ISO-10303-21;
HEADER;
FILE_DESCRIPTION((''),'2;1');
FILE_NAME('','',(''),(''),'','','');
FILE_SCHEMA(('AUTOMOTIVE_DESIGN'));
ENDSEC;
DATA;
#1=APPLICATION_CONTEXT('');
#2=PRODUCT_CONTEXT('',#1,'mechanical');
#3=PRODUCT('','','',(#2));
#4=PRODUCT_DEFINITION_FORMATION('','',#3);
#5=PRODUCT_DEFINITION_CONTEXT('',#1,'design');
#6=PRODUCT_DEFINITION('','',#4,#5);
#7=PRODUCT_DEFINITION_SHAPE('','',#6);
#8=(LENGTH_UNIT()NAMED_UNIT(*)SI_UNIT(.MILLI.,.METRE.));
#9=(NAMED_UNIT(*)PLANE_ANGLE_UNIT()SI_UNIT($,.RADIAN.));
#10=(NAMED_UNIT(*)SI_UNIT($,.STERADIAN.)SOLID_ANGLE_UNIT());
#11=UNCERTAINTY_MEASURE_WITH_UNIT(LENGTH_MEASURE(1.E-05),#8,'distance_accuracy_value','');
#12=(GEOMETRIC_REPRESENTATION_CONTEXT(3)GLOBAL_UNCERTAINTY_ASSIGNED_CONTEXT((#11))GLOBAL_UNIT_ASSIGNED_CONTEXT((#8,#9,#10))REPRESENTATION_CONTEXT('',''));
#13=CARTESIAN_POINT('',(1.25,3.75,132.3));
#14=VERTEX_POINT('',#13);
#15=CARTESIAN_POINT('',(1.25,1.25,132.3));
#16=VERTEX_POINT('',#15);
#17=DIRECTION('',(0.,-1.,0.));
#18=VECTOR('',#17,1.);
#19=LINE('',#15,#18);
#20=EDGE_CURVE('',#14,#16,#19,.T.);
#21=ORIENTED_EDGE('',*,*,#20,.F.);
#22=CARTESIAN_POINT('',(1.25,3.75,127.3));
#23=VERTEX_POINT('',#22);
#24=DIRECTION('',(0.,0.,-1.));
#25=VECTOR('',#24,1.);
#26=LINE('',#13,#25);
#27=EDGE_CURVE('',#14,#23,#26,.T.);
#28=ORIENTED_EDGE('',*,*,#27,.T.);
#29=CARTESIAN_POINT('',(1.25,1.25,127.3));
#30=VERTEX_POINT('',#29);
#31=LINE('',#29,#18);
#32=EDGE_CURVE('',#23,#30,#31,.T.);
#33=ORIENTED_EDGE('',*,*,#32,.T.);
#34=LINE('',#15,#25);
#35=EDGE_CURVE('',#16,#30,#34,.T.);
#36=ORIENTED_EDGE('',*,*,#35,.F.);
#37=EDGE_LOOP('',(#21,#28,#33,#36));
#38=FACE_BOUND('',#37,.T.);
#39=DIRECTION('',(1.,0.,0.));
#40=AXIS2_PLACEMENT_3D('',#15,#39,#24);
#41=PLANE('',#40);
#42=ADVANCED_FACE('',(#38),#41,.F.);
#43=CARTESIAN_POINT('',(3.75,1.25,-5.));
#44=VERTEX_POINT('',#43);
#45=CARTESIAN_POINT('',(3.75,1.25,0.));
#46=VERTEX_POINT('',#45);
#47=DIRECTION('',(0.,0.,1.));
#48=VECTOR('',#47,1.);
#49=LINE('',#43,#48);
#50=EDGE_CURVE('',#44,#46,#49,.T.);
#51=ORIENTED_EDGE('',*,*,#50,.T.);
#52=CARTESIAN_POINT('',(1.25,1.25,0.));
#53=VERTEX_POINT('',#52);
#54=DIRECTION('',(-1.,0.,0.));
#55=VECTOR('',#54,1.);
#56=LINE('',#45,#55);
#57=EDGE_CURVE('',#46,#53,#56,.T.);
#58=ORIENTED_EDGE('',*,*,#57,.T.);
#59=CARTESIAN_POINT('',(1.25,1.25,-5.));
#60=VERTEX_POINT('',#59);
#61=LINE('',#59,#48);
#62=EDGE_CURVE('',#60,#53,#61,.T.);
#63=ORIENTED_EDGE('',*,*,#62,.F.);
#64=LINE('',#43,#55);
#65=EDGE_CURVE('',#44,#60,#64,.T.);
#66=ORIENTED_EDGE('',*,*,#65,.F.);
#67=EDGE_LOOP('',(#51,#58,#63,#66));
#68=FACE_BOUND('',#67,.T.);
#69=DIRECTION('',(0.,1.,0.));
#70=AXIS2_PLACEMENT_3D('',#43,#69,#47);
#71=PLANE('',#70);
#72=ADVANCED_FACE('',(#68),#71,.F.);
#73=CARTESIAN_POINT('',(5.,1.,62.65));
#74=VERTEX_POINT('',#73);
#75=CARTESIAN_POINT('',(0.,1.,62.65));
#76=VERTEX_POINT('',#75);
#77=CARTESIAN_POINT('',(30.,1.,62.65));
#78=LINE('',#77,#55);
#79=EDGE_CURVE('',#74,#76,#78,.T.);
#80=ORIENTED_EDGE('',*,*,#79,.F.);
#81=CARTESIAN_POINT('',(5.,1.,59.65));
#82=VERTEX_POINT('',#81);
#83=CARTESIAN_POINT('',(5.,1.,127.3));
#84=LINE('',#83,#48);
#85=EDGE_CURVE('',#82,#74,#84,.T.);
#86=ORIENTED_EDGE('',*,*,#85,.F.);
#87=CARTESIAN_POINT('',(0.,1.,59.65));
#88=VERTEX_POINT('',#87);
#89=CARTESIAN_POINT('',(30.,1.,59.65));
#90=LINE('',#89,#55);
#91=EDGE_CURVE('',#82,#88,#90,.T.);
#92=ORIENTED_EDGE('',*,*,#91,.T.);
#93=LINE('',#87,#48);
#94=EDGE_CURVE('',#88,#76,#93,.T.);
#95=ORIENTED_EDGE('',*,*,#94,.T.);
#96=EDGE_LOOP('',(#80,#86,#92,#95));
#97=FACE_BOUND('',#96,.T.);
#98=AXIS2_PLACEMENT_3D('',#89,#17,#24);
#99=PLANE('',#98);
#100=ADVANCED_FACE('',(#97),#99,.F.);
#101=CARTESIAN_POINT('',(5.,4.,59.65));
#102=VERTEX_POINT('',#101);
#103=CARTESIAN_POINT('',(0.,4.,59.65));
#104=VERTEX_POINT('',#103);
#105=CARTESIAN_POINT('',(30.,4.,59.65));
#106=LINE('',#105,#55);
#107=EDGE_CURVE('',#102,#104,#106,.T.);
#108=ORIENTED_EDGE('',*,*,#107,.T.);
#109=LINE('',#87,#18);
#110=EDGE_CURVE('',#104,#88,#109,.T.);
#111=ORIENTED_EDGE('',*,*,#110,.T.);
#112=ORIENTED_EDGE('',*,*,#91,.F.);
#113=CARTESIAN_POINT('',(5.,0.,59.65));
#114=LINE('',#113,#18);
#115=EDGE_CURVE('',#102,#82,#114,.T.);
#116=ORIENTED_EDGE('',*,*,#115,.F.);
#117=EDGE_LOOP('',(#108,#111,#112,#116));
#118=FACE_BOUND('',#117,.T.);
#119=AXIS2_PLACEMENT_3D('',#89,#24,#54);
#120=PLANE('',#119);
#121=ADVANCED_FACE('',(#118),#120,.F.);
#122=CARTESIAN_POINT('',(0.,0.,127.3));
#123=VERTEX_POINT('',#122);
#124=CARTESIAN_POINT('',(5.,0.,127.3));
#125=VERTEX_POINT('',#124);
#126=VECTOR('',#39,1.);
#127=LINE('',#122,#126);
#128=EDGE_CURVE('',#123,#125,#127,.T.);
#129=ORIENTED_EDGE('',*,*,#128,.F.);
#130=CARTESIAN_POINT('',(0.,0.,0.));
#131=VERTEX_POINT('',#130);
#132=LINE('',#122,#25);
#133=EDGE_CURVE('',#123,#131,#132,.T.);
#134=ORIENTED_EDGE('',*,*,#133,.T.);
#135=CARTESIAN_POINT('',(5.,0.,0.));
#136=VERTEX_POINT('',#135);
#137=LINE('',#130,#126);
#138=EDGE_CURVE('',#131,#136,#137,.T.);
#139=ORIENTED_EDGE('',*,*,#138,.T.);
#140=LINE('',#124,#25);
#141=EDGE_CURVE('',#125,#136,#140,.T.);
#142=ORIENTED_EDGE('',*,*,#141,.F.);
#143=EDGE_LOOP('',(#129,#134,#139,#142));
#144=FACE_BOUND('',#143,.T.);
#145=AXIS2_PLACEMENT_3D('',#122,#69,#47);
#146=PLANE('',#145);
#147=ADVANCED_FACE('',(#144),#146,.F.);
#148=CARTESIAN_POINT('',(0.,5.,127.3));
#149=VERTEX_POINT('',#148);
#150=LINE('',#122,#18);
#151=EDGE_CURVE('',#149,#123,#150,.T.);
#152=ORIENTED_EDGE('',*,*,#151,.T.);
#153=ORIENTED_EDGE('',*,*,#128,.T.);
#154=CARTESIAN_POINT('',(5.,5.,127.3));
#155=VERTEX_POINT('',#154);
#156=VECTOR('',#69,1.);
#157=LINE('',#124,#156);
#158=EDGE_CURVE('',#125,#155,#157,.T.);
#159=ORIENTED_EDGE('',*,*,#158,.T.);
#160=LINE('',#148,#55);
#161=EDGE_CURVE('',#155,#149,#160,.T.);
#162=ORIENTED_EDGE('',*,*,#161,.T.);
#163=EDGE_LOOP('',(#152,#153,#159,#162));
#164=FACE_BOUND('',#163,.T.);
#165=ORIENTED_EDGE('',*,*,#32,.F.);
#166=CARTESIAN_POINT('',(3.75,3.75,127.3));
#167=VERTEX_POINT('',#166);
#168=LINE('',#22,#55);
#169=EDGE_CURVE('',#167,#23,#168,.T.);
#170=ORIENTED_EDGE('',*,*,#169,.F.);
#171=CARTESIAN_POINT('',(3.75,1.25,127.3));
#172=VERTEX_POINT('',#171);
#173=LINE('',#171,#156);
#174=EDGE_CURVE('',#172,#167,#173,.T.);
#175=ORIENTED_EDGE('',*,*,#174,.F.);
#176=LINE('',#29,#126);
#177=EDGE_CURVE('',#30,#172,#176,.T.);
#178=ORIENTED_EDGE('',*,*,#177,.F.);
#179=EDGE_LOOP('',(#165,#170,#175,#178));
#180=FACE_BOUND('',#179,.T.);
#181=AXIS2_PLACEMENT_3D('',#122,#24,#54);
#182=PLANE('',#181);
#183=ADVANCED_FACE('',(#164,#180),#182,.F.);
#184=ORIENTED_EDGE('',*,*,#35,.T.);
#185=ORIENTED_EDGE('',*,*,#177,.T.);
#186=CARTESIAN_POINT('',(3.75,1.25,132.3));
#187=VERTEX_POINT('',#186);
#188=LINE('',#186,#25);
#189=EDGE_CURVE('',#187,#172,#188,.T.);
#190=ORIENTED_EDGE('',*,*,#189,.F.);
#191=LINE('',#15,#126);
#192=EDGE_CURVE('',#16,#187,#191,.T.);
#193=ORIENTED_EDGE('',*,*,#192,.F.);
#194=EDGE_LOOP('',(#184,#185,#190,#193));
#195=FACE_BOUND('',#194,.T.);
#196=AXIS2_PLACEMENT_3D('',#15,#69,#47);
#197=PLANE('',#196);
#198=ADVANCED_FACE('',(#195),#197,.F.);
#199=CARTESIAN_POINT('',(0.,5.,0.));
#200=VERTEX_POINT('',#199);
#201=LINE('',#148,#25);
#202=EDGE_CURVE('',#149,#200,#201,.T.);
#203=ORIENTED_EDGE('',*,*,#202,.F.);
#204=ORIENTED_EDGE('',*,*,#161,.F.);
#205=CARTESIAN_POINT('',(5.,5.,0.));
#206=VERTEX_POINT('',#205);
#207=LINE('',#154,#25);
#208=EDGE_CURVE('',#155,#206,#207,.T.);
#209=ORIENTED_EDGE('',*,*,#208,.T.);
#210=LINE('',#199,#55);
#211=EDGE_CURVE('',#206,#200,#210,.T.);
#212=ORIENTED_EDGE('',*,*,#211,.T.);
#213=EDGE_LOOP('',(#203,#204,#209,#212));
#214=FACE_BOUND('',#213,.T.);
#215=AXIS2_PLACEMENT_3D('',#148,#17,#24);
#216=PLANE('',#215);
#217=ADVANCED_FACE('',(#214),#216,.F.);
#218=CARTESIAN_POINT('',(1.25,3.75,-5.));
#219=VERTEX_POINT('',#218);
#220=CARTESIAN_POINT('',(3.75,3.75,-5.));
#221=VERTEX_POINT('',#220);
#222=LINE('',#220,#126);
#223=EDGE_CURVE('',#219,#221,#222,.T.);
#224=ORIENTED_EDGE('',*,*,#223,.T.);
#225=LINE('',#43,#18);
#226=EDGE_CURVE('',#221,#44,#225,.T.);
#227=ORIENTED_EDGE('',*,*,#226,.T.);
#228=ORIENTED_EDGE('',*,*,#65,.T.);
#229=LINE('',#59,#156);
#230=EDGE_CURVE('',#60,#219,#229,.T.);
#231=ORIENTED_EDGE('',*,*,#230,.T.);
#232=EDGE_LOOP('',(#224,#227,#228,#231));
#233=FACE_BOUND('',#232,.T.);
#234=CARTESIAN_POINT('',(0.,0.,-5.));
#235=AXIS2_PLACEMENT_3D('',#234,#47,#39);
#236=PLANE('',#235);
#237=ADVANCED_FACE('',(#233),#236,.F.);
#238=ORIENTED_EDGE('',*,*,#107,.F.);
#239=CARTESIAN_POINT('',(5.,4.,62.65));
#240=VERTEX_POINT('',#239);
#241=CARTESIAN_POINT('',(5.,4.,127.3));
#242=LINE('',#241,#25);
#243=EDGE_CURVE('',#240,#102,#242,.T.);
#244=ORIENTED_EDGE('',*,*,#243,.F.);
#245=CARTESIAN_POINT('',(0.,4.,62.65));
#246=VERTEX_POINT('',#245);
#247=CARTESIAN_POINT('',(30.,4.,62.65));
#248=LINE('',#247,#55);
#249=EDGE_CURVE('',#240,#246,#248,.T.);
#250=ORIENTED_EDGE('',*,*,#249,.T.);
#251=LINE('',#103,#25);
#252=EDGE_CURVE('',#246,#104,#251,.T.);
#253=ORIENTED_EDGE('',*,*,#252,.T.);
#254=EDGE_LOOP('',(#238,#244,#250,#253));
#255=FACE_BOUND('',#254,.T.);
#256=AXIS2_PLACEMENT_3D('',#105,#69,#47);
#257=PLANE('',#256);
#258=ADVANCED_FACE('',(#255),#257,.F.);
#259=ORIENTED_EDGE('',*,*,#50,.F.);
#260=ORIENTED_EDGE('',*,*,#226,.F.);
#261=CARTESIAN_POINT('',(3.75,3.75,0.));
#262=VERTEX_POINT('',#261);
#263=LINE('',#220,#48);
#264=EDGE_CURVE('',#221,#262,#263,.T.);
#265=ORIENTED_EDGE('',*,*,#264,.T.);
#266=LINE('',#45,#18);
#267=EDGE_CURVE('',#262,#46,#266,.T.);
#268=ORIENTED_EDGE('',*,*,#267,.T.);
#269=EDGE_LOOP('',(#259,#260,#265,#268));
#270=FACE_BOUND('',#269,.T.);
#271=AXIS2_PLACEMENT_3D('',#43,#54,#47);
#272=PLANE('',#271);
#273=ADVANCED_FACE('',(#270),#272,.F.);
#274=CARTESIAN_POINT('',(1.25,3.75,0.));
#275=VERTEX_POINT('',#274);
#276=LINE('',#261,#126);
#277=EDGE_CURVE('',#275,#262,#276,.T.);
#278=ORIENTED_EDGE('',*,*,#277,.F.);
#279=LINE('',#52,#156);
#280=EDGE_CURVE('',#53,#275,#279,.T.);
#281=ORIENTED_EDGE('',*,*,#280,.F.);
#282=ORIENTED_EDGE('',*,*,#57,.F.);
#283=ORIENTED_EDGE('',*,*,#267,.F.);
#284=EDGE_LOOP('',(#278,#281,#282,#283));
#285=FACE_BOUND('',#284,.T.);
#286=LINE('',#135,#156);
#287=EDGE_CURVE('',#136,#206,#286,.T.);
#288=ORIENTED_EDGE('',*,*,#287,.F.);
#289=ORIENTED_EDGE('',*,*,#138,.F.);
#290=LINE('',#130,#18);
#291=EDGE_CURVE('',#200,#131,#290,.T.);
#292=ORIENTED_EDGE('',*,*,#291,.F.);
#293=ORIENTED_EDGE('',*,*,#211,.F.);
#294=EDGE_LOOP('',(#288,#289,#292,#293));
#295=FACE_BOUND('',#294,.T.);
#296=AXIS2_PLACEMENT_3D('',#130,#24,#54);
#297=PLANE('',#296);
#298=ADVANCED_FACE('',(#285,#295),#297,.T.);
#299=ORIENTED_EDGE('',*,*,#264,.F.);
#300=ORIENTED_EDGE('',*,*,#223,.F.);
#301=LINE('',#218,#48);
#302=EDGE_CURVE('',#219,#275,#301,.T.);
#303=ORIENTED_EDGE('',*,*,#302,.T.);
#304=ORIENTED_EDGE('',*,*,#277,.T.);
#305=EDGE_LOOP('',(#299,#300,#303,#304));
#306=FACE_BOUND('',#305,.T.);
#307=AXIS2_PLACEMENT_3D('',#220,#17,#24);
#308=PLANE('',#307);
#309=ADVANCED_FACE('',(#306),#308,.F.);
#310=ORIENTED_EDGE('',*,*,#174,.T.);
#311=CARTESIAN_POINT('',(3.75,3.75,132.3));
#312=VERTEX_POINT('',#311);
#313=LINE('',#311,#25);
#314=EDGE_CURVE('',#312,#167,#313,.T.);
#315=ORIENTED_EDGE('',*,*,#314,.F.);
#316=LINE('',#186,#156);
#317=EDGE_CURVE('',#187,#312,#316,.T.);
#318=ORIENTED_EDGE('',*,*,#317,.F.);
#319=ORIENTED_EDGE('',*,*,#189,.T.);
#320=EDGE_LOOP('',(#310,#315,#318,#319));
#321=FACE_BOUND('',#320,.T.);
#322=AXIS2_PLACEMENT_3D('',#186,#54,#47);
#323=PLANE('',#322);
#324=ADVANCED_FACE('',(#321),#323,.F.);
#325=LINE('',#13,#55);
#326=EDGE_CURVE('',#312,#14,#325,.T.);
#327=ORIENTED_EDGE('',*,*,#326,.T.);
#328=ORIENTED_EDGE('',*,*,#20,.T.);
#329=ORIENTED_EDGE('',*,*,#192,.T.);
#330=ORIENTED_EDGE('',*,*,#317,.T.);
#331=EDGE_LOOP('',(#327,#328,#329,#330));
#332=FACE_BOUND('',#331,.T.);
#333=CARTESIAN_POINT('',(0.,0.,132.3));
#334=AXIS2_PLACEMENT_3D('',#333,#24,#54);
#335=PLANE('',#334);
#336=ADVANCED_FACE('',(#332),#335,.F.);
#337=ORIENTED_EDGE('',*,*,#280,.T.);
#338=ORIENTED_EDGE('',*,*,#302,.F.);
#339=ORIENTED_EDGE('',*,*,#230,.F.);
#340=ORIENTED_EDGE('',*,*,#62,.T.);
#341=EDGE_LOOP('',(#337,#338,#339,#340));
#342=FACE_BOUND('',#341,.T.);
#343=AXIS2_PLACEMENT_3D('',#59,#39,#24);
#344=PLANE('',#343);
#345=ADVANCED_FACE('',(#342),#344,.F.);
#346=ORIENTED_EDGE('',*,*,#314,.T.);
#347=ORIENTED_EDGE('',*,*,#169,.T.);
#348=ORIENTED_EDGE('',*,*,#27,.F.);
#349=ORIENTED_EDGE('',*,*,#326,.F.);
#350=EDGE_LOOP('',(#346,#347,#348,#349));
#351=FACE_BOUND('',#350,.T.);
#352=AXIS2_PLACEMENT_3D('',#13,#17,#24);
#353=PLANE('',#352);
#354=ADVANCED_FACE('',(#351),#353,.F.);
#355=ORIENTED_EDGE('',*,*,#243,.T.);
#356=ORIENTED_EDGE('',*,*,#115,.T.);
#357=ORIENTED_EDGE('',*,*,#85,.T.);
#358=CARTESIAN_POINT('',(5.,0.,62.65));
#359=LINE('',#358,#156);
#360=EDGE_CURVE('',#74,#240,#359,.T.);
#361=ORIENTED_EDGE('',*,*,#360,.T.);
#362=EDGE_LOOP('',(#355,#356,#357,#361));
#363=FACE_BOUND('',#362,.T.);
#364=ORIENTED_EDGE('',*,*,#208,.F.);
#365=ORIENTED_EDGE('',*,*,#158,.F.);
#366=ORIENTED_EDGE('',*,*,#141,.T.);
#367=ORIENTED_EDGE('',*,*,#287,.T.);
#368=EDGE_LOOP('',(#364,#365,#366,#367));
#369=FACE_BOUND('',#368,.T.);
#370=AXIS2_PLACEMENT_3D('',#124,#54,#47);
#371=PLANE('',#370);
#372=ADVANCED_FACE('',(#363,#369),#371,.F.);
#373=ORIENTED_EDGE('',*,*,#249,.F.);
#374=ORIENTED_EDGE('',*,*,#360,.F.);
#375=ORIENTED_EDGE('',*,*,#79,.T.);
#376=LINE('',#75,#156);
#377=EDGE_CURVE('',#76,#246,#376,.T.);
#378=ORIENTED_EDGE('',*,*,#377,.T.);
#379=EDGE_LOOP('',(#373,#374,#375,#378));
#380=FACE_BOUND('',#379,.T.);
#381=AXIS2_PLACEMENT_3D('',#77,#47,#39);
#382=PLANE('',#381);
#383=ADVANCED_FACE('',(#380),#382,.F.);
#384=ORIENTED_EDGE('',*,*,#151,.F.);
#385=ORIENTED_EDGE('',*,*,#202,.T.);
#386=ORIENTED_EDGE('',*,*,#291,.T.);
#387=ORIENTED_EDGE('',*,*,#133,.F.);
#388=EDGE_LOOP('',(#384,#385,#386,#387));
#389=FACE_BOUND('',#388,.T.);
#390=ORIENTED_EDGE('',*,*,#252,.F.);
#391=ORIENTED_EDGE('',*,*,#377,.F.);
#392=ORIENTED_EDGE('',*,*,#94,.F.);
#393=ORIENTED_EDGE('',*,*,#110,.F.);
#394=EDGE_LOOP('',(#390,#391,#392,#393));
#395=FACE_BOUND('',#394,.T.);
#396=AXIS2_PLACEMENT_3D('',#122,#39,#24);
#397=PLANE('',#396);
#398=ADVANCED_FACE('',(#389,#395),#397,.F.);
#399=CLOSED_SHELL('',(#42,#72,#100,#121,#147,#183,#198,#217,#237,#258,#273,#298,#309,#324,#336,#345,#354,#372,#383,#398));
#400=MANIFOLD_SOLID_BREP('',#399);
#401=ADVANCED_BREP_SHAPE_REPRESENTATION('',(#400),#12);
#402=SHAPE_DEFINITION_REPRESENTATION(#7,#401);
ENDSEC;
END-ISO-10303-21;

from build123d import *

# Parameters (mm, degrees)
SKETCH1_W           = 5
SKETCH1_H           = 5
BOSS_EXTRUDE1_DEPTH = 127.3
SKETCH2_W           = 2.5
SKETCH2_H           = 2.5
BOSS_EXTRUDE2_DEPTH = 5
SKETCH3_W           = 2.5
SKETCH3_H           = 2.5
BOSS_EXTRUDE3_DEPTH = 5
SKETCH4_W           = 3
SKETCH4_H           = 3
CUT_EXTRUDE1_DEPTH  = 30


with BuildPart() as part:
    # Sketch1 → Boss-Extrude1 (new body)
    with BuildSketch(Plane.XY):
        with Locations((2.5, 2.5)):
            Rectangle(SKETCH1_W, SKETCH1_H)
    extrude(amount=BOSS_EXTRUDE1_DEPTH)

    # Sketch2 → Boss-Extrude2 (add)
    with BuildSketch(Plane(origin=(0, 0, 0), x_dir=(-1, 0, 0), z_dir=(0, 0, -1))):
        with Locations((-2.5, 2.5)):
            Rectangle(SKETCH2_W, SKETCH2_H)
    extrude(amount=BOSS_EXTRUDE2_DEPTH)

    # Sketch3 → Boss-Extrude3 (add)
    with BuildSketch(Plane.XY.offset(127.3)):
        with Locations((2.5, 2.5)):
            Rectangle(SKETCH3_W, SKETCH3_H)
    extrude(amount=BOSS_EXTRUDE3_DEPTH)

    # Sketch4 → Cut-Extrude1 (cut)
    with BuildSketch(Plane.ZY):
        with Locations((61.15, 2.5)):
            Rectangle(SKETCH4_W, SKETCH4_H)
    extrude(amount=-CUT_EXTRUDE1_DEPTH, mode=Mode.SUBTRACT)


solid = part.part
